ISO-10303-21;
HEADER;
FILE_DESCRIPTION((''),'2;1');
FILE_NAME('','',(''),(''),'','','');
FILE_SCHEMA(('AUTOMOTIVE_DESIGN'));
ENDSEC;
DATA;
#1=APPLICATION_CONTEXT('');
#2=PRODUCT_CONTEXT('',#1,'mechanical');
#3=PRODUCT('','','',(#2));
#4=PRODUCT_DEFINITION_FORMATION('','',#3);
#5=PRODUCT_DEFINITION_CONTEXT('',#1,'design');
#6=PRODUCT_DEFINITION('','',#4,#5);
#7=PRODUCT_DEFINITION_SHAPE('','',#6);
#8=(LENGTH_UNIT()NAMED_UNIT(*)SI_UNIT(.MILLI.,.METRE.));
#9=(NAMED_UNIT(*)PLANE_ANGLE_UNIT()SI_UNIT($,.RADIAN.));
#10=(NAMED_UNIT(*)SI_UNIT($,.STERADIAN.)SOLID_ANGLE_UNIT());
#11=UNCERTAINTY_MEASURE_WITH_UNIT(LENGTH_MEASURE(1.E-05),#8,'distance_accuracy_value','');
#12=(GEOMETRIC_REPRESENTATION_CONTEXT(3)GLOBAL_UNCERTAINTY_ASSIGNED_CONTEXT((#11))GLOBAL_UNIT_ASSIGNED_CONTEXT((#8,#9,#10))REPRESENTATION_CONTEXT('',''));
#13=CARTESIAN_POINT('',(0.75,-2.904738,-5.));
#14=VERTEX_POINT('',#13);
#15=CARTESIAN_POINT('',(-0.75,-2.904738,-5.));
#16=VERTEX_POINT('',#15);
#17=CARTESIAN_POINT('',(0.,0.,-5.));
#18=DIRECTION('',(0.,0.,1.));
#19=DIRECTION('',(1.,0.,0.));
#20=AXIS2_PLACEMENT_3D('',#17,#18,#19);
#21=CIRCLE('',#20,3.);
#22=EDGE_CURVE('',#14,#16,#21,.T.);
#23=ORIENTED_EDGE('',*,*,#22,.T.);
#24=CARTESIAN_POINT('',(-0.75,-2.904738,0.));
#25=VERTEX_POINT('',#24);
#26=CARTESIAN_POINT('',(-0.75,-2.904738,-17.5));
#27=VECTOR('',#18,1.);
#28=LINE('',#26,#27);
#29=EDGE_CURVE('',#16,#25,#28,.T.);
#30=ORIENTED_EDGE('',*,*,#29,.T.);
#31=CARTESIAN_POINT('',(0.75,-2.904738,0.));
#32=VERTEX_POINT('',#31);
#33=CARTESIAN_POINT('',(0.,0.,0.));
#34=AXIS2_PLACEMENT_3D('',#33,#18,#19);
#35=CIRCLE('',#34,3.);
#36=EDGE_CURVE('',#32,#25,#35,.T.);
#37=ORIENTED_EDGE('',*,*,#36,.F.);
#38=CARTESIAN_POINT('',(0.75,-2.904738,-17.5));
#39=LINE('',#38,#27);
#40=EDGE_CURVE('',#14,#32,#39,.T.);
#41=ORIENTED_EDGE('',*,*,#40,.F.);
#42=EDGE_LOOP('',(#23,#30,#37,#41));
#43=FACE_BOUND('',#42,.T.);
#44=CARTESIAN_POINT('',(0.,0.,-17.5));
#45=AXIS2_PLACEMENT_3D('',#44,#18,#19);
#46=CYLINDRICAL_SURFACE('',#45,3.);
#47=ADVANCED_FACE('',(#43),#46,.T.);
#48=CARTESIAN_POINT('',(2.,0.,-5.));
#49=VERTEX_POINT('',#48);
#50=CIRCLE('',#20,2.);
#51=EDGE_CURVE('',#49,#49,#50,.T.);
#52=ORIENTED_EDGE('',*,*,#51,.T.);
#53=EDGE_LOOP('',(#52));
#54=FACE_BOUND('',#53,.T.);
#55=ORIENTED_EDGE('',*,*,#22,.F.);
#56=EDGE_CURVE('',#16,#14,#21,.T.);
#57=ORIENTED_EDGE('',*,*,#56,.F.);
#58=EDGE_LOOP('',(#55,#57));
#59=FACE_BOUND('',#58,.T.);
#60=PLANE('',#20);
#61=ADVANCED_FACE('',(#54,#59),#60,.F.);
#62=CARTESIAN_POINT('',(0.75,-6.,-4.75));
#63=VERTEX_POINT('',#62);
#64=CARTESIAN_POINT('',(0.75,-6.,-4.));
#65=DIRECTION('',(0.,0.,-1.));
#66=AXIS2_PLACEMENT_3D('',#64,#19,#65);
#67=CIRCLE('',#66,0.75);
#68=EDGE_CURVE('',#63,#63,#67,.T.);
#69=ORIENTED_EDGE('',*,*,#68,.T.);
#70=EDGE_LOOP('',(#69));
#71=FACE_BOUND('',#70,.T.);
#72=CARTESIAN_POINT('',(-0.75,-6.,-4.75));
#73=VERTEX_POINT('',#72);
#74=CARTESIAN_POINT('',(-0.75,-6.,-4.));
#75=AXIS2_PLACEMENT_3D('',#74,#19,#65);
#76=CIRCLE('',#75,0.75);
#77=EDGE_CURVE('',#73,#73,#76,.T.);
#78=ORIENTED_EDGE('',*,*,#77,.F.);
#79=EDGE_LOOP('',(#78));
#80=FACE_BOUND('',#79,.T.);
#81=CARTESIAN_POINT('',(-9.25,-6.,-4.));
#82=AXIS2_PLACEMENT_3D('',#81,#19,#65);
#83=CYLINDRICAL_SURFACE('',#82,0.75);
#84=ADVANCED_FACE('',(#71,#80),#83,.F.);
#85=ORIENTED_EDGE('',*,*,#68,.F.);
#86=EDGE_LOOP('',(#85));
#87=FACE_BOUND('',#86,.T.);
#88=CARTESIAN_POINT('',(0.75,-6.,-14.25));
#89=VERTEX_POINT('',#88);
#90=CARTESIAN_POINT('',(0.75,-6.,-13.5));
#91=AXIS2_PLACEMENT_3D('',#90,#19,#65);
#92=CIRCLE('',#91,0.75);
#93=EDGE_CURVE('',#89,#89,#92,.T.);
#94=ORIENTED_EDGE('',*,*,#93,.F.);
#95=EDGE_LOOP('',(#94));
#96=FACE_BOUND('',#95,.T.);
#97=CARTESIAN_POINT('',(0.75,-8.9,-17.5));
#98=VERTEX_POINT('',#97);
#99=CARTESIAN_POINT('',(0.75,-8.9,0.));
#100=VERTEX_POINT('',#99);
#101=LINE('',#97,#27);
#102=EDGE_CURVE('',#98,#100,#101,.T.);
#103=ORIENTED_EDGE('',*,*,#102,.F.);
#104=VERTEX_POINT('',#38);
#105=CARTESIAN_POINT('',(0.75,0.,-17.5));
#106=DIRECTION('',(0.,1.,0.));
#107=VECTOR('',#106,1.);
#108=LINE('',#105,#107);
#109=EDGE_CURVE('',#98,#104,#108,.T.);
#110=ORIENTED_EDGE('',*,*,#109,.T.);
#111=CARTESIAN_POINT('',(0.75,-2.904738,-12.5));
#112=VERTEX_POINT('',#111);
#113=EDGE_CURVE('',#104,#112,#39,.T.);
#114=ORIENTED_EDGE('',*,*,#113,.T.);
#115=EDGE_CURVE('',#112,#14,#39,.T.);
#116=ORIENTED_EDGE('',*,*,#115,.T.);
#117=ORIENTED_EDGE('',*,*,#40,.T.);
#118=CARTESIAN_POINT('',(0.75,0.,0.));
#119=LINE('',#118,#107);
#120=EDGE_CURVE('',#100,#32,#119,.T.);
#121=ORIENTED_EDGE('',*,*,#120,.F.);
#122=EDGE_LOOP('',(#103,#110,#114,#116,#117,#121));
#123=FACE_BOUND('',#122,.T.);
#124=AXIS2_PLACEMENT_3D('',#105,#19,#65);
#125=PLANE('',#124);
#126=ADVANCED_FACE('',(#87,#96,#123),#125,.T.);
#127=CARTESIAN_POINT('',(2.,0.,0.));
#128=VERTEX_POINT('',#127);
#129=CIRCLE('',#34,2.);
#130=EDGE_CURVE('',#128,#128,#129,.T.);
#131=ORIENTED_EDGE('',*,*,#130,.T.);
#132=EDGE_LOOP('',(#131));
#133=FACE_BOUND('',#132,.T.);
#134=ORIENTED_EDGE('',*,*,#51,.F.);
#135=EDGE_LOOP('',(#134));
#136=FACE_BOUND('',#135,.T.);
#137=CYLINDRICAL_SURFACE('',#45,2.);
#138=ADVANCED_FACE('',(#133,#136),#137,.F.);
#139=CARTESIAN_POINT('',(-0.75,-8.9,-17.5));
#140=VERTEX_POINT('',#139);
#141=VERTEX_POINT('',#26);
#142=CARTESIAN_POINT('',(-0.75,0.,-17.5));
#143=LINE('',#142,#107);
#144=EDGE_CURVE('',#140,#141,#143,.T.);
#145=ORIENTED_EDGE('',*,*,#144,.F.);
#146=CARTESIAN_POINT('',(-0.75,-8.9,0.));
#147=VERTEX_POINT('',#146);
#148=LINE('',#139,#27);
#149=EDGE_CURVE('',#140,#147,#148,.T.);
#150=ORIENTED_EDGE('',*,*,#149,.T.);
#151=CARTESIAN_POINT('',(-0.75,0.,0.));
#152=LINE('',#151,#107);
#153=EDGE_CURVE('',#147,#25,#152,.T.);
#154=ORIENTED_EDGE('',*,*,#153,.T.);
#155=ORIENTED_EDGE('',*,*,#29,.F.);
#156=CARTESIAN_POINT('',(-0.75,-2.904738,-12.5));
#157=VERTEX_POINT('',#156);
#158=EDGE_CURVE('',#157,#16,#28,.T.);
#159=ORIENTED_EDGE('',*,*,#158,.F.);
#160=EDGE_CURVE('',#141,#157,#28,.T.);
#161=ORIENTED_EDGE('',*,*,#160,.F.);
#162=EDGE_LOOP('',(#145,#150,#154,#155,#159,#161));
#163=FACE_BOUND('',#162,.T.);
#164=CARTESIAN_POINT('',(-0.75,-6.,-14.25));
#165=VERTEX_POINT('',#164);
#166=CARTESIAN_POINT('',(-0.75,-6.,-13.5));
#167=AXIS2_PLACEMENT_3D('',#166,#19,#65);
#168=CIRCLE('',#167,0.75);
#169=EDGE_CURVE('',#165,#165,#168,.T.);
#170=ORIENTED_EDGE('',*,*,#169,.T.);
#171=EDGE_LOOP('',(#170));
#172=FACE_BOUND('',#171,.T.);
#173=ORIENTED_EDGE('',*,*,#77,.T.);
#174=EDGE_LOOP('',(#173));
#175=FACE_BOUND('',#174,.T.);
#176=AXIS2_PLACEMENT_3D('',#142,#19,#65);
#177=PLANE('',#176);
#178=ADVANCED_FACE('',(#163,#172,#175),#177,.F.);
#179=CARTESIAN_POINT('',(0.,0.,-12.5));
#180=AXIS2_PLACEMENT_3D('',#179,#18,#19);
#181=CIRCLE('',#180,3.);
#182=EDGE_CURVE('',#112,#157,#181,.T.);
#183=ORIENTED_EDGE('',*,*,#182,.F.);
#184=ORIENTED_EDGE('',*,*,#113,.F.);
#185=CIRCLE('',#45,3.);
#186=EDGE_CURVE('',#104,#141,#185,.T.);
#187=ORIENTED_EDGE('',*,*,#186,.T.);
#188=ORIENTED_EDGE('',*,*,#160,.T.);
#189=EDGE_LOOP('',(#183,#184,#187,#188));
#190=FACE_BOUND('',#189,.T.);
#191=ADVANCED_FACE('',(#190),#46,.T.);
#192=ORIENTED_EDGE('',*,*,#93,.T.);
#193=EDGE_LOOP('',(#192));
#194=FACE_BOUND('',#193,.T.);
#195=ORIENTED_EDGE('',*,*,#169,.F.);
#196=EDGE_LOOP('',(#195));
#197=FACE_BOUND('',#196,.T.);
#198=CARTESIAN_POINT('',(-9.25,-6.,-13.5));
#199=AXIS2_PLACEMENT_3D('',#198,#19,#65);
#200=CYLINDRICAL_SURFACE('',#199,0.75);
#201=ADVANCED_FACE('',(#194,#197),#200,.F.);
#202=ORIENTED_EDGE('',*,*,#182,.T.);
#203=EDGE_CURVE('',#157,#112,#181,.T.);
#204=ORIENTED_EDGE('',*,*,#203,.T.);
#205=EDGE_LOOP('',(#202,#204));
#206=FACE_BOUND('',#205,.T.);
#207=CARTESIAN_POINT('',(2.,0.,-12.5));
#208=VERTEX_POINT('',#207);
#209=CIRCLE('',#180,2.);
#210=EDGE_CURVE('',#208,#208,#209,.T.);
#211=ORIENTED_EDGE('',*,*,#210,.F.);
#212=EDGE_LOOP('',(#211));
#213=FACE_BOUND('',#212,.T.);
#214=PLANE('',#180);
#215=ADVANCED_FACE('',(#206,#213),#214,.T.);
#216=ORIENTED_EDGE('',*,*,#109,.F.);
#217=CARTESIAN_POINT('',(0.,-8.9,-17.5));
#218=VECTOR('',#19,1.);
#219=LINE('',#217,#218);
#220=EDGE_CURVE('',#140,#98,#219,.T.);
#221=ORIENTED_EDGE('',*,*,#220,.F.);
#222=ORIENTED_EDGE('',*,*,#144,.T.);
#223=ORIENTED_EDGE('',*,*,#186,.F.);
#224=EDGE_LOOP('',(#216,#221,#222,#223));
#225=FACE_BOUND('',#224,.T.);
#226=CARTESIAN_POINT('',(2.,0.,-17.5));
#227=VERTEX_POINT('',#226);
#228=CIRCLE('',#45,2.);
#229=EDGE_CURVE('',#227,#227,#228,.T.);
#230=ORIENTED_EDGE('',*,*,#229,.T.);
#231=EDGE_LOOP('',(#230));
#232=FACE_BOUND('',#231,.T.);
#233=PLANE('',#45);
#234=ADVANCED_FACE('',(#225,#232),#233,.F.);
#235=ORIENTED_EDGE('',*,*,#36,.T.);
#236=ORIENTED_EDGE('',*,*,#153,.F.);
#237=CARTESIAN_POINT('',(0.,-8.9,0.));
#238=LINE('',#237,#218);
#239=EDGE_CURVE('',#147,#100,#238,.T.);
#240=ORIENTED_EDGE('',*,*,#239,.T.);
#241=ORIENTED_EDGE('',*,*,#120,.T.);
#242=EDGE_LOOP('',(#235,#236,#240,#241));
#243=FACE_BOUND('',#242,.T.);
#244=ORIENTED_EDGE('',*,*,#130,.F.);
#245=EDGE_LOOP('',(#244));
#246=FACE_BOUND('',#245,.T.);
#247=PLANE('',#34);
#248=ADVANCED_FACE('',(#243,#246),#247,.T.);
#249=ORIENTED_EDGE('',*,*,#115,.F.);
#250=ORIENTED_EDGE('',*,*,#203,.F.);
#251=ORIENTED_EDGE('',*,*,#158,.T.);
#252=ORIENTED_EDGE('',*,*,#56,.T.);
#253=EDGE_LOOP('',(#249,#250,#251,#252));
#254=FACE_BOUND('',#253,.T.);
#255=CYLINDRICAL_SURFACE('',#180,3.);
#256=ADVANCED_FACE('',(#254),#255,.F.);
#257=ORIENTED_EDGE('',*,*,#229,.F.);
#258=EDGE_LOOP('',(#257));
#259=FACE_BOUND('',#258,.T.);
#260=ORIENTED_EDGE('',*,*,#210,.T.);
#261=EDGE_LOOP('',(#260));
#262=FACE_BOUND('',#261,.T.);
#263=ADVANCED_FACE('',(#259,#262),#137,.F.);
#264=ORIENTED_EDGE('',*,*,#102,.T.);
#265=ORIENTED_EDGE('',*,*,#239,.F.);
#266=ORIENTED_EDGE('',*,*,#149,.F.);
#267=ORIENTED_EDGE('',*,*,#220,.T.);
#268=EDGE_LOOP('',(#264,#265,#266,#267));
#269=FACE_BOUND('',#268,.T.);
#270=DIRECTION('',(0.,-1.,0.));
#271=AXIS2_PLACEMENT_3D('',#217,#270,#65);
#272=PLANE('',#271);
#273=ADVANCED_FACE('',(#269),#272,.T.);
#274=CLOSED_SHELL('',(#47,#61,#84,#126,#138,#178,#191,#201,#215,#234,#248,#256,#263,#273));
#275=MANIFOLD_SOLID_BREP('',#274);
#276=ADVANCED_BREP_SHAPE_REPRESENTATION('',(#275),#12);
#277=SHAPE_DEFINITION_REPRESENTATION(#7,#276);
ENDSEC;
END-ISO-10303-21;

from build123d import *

# Parameters (mm, degrees)
SKETCH2_R           = 2
BOSS_EXTRUDE4_DEPTH = 17.5
CUT_EXTRUDE3_START  = -5
SKETCH2_4_R         = 3
SKETCH2_4_R_2       = 2
CUT_EXTRUDE3_DEPTH  = 7.5
SKETCH4_R           = 0.75
CUT_EXTRUDE6_DEPTH  = 10


with BuildPart() as part:
    # Sketch2 → Boss-Extrude4 (new body)
    with BuildSketch(Plane.XY):
        with BuildLine():
            Line((-0.75, -2.90473751), (-0.75, -8.9))
            Line((-0.75, -8.9), (0.75, -8.9))
            Line((0.75, -8.9), (0.75, -2.90473751))
            ThreePointArc((0.75, -2.90473751), (0, 3), (-0.75, -2.90473751))
        make_face()
        Circle(SKETCH2_R, mode=Mode.SUBTRACT)
    extrude(amount=-BOSS_EXTRUDE4_DEPTH)

    # Sketch2<4> → Cut-Extrude3 (cut)
    with BuildSketch(Plane.XY.offset(CUT_EXTRUDE3_START)):
        Circle(SKETCH2_4_R)
        Circle(SKETCH2_4_R_2, mode=Mode.SUBTRACT)
    extrude(amount=-CUT_EXTRUDE3_DEPTH, mode=Mode.SUBTRACT)

    # Sketch4 → Cut-Extrude6 (cut)
    with BuildSketch(Plane(origin=(0.75, 0, 0), x_dir=(0, 0, -1), z_dir=(1, 0, 0))):
        with Locations((4, -6)):
            Circle(SKETCH4_R)
        with Locations((13.5, -6)):
            Circle(SKETCH4_R)
    extrude(amount=-CUT_EXTRUDE6_DEPTH, mode=Mode.SUBTRACT)


solid = part.part
